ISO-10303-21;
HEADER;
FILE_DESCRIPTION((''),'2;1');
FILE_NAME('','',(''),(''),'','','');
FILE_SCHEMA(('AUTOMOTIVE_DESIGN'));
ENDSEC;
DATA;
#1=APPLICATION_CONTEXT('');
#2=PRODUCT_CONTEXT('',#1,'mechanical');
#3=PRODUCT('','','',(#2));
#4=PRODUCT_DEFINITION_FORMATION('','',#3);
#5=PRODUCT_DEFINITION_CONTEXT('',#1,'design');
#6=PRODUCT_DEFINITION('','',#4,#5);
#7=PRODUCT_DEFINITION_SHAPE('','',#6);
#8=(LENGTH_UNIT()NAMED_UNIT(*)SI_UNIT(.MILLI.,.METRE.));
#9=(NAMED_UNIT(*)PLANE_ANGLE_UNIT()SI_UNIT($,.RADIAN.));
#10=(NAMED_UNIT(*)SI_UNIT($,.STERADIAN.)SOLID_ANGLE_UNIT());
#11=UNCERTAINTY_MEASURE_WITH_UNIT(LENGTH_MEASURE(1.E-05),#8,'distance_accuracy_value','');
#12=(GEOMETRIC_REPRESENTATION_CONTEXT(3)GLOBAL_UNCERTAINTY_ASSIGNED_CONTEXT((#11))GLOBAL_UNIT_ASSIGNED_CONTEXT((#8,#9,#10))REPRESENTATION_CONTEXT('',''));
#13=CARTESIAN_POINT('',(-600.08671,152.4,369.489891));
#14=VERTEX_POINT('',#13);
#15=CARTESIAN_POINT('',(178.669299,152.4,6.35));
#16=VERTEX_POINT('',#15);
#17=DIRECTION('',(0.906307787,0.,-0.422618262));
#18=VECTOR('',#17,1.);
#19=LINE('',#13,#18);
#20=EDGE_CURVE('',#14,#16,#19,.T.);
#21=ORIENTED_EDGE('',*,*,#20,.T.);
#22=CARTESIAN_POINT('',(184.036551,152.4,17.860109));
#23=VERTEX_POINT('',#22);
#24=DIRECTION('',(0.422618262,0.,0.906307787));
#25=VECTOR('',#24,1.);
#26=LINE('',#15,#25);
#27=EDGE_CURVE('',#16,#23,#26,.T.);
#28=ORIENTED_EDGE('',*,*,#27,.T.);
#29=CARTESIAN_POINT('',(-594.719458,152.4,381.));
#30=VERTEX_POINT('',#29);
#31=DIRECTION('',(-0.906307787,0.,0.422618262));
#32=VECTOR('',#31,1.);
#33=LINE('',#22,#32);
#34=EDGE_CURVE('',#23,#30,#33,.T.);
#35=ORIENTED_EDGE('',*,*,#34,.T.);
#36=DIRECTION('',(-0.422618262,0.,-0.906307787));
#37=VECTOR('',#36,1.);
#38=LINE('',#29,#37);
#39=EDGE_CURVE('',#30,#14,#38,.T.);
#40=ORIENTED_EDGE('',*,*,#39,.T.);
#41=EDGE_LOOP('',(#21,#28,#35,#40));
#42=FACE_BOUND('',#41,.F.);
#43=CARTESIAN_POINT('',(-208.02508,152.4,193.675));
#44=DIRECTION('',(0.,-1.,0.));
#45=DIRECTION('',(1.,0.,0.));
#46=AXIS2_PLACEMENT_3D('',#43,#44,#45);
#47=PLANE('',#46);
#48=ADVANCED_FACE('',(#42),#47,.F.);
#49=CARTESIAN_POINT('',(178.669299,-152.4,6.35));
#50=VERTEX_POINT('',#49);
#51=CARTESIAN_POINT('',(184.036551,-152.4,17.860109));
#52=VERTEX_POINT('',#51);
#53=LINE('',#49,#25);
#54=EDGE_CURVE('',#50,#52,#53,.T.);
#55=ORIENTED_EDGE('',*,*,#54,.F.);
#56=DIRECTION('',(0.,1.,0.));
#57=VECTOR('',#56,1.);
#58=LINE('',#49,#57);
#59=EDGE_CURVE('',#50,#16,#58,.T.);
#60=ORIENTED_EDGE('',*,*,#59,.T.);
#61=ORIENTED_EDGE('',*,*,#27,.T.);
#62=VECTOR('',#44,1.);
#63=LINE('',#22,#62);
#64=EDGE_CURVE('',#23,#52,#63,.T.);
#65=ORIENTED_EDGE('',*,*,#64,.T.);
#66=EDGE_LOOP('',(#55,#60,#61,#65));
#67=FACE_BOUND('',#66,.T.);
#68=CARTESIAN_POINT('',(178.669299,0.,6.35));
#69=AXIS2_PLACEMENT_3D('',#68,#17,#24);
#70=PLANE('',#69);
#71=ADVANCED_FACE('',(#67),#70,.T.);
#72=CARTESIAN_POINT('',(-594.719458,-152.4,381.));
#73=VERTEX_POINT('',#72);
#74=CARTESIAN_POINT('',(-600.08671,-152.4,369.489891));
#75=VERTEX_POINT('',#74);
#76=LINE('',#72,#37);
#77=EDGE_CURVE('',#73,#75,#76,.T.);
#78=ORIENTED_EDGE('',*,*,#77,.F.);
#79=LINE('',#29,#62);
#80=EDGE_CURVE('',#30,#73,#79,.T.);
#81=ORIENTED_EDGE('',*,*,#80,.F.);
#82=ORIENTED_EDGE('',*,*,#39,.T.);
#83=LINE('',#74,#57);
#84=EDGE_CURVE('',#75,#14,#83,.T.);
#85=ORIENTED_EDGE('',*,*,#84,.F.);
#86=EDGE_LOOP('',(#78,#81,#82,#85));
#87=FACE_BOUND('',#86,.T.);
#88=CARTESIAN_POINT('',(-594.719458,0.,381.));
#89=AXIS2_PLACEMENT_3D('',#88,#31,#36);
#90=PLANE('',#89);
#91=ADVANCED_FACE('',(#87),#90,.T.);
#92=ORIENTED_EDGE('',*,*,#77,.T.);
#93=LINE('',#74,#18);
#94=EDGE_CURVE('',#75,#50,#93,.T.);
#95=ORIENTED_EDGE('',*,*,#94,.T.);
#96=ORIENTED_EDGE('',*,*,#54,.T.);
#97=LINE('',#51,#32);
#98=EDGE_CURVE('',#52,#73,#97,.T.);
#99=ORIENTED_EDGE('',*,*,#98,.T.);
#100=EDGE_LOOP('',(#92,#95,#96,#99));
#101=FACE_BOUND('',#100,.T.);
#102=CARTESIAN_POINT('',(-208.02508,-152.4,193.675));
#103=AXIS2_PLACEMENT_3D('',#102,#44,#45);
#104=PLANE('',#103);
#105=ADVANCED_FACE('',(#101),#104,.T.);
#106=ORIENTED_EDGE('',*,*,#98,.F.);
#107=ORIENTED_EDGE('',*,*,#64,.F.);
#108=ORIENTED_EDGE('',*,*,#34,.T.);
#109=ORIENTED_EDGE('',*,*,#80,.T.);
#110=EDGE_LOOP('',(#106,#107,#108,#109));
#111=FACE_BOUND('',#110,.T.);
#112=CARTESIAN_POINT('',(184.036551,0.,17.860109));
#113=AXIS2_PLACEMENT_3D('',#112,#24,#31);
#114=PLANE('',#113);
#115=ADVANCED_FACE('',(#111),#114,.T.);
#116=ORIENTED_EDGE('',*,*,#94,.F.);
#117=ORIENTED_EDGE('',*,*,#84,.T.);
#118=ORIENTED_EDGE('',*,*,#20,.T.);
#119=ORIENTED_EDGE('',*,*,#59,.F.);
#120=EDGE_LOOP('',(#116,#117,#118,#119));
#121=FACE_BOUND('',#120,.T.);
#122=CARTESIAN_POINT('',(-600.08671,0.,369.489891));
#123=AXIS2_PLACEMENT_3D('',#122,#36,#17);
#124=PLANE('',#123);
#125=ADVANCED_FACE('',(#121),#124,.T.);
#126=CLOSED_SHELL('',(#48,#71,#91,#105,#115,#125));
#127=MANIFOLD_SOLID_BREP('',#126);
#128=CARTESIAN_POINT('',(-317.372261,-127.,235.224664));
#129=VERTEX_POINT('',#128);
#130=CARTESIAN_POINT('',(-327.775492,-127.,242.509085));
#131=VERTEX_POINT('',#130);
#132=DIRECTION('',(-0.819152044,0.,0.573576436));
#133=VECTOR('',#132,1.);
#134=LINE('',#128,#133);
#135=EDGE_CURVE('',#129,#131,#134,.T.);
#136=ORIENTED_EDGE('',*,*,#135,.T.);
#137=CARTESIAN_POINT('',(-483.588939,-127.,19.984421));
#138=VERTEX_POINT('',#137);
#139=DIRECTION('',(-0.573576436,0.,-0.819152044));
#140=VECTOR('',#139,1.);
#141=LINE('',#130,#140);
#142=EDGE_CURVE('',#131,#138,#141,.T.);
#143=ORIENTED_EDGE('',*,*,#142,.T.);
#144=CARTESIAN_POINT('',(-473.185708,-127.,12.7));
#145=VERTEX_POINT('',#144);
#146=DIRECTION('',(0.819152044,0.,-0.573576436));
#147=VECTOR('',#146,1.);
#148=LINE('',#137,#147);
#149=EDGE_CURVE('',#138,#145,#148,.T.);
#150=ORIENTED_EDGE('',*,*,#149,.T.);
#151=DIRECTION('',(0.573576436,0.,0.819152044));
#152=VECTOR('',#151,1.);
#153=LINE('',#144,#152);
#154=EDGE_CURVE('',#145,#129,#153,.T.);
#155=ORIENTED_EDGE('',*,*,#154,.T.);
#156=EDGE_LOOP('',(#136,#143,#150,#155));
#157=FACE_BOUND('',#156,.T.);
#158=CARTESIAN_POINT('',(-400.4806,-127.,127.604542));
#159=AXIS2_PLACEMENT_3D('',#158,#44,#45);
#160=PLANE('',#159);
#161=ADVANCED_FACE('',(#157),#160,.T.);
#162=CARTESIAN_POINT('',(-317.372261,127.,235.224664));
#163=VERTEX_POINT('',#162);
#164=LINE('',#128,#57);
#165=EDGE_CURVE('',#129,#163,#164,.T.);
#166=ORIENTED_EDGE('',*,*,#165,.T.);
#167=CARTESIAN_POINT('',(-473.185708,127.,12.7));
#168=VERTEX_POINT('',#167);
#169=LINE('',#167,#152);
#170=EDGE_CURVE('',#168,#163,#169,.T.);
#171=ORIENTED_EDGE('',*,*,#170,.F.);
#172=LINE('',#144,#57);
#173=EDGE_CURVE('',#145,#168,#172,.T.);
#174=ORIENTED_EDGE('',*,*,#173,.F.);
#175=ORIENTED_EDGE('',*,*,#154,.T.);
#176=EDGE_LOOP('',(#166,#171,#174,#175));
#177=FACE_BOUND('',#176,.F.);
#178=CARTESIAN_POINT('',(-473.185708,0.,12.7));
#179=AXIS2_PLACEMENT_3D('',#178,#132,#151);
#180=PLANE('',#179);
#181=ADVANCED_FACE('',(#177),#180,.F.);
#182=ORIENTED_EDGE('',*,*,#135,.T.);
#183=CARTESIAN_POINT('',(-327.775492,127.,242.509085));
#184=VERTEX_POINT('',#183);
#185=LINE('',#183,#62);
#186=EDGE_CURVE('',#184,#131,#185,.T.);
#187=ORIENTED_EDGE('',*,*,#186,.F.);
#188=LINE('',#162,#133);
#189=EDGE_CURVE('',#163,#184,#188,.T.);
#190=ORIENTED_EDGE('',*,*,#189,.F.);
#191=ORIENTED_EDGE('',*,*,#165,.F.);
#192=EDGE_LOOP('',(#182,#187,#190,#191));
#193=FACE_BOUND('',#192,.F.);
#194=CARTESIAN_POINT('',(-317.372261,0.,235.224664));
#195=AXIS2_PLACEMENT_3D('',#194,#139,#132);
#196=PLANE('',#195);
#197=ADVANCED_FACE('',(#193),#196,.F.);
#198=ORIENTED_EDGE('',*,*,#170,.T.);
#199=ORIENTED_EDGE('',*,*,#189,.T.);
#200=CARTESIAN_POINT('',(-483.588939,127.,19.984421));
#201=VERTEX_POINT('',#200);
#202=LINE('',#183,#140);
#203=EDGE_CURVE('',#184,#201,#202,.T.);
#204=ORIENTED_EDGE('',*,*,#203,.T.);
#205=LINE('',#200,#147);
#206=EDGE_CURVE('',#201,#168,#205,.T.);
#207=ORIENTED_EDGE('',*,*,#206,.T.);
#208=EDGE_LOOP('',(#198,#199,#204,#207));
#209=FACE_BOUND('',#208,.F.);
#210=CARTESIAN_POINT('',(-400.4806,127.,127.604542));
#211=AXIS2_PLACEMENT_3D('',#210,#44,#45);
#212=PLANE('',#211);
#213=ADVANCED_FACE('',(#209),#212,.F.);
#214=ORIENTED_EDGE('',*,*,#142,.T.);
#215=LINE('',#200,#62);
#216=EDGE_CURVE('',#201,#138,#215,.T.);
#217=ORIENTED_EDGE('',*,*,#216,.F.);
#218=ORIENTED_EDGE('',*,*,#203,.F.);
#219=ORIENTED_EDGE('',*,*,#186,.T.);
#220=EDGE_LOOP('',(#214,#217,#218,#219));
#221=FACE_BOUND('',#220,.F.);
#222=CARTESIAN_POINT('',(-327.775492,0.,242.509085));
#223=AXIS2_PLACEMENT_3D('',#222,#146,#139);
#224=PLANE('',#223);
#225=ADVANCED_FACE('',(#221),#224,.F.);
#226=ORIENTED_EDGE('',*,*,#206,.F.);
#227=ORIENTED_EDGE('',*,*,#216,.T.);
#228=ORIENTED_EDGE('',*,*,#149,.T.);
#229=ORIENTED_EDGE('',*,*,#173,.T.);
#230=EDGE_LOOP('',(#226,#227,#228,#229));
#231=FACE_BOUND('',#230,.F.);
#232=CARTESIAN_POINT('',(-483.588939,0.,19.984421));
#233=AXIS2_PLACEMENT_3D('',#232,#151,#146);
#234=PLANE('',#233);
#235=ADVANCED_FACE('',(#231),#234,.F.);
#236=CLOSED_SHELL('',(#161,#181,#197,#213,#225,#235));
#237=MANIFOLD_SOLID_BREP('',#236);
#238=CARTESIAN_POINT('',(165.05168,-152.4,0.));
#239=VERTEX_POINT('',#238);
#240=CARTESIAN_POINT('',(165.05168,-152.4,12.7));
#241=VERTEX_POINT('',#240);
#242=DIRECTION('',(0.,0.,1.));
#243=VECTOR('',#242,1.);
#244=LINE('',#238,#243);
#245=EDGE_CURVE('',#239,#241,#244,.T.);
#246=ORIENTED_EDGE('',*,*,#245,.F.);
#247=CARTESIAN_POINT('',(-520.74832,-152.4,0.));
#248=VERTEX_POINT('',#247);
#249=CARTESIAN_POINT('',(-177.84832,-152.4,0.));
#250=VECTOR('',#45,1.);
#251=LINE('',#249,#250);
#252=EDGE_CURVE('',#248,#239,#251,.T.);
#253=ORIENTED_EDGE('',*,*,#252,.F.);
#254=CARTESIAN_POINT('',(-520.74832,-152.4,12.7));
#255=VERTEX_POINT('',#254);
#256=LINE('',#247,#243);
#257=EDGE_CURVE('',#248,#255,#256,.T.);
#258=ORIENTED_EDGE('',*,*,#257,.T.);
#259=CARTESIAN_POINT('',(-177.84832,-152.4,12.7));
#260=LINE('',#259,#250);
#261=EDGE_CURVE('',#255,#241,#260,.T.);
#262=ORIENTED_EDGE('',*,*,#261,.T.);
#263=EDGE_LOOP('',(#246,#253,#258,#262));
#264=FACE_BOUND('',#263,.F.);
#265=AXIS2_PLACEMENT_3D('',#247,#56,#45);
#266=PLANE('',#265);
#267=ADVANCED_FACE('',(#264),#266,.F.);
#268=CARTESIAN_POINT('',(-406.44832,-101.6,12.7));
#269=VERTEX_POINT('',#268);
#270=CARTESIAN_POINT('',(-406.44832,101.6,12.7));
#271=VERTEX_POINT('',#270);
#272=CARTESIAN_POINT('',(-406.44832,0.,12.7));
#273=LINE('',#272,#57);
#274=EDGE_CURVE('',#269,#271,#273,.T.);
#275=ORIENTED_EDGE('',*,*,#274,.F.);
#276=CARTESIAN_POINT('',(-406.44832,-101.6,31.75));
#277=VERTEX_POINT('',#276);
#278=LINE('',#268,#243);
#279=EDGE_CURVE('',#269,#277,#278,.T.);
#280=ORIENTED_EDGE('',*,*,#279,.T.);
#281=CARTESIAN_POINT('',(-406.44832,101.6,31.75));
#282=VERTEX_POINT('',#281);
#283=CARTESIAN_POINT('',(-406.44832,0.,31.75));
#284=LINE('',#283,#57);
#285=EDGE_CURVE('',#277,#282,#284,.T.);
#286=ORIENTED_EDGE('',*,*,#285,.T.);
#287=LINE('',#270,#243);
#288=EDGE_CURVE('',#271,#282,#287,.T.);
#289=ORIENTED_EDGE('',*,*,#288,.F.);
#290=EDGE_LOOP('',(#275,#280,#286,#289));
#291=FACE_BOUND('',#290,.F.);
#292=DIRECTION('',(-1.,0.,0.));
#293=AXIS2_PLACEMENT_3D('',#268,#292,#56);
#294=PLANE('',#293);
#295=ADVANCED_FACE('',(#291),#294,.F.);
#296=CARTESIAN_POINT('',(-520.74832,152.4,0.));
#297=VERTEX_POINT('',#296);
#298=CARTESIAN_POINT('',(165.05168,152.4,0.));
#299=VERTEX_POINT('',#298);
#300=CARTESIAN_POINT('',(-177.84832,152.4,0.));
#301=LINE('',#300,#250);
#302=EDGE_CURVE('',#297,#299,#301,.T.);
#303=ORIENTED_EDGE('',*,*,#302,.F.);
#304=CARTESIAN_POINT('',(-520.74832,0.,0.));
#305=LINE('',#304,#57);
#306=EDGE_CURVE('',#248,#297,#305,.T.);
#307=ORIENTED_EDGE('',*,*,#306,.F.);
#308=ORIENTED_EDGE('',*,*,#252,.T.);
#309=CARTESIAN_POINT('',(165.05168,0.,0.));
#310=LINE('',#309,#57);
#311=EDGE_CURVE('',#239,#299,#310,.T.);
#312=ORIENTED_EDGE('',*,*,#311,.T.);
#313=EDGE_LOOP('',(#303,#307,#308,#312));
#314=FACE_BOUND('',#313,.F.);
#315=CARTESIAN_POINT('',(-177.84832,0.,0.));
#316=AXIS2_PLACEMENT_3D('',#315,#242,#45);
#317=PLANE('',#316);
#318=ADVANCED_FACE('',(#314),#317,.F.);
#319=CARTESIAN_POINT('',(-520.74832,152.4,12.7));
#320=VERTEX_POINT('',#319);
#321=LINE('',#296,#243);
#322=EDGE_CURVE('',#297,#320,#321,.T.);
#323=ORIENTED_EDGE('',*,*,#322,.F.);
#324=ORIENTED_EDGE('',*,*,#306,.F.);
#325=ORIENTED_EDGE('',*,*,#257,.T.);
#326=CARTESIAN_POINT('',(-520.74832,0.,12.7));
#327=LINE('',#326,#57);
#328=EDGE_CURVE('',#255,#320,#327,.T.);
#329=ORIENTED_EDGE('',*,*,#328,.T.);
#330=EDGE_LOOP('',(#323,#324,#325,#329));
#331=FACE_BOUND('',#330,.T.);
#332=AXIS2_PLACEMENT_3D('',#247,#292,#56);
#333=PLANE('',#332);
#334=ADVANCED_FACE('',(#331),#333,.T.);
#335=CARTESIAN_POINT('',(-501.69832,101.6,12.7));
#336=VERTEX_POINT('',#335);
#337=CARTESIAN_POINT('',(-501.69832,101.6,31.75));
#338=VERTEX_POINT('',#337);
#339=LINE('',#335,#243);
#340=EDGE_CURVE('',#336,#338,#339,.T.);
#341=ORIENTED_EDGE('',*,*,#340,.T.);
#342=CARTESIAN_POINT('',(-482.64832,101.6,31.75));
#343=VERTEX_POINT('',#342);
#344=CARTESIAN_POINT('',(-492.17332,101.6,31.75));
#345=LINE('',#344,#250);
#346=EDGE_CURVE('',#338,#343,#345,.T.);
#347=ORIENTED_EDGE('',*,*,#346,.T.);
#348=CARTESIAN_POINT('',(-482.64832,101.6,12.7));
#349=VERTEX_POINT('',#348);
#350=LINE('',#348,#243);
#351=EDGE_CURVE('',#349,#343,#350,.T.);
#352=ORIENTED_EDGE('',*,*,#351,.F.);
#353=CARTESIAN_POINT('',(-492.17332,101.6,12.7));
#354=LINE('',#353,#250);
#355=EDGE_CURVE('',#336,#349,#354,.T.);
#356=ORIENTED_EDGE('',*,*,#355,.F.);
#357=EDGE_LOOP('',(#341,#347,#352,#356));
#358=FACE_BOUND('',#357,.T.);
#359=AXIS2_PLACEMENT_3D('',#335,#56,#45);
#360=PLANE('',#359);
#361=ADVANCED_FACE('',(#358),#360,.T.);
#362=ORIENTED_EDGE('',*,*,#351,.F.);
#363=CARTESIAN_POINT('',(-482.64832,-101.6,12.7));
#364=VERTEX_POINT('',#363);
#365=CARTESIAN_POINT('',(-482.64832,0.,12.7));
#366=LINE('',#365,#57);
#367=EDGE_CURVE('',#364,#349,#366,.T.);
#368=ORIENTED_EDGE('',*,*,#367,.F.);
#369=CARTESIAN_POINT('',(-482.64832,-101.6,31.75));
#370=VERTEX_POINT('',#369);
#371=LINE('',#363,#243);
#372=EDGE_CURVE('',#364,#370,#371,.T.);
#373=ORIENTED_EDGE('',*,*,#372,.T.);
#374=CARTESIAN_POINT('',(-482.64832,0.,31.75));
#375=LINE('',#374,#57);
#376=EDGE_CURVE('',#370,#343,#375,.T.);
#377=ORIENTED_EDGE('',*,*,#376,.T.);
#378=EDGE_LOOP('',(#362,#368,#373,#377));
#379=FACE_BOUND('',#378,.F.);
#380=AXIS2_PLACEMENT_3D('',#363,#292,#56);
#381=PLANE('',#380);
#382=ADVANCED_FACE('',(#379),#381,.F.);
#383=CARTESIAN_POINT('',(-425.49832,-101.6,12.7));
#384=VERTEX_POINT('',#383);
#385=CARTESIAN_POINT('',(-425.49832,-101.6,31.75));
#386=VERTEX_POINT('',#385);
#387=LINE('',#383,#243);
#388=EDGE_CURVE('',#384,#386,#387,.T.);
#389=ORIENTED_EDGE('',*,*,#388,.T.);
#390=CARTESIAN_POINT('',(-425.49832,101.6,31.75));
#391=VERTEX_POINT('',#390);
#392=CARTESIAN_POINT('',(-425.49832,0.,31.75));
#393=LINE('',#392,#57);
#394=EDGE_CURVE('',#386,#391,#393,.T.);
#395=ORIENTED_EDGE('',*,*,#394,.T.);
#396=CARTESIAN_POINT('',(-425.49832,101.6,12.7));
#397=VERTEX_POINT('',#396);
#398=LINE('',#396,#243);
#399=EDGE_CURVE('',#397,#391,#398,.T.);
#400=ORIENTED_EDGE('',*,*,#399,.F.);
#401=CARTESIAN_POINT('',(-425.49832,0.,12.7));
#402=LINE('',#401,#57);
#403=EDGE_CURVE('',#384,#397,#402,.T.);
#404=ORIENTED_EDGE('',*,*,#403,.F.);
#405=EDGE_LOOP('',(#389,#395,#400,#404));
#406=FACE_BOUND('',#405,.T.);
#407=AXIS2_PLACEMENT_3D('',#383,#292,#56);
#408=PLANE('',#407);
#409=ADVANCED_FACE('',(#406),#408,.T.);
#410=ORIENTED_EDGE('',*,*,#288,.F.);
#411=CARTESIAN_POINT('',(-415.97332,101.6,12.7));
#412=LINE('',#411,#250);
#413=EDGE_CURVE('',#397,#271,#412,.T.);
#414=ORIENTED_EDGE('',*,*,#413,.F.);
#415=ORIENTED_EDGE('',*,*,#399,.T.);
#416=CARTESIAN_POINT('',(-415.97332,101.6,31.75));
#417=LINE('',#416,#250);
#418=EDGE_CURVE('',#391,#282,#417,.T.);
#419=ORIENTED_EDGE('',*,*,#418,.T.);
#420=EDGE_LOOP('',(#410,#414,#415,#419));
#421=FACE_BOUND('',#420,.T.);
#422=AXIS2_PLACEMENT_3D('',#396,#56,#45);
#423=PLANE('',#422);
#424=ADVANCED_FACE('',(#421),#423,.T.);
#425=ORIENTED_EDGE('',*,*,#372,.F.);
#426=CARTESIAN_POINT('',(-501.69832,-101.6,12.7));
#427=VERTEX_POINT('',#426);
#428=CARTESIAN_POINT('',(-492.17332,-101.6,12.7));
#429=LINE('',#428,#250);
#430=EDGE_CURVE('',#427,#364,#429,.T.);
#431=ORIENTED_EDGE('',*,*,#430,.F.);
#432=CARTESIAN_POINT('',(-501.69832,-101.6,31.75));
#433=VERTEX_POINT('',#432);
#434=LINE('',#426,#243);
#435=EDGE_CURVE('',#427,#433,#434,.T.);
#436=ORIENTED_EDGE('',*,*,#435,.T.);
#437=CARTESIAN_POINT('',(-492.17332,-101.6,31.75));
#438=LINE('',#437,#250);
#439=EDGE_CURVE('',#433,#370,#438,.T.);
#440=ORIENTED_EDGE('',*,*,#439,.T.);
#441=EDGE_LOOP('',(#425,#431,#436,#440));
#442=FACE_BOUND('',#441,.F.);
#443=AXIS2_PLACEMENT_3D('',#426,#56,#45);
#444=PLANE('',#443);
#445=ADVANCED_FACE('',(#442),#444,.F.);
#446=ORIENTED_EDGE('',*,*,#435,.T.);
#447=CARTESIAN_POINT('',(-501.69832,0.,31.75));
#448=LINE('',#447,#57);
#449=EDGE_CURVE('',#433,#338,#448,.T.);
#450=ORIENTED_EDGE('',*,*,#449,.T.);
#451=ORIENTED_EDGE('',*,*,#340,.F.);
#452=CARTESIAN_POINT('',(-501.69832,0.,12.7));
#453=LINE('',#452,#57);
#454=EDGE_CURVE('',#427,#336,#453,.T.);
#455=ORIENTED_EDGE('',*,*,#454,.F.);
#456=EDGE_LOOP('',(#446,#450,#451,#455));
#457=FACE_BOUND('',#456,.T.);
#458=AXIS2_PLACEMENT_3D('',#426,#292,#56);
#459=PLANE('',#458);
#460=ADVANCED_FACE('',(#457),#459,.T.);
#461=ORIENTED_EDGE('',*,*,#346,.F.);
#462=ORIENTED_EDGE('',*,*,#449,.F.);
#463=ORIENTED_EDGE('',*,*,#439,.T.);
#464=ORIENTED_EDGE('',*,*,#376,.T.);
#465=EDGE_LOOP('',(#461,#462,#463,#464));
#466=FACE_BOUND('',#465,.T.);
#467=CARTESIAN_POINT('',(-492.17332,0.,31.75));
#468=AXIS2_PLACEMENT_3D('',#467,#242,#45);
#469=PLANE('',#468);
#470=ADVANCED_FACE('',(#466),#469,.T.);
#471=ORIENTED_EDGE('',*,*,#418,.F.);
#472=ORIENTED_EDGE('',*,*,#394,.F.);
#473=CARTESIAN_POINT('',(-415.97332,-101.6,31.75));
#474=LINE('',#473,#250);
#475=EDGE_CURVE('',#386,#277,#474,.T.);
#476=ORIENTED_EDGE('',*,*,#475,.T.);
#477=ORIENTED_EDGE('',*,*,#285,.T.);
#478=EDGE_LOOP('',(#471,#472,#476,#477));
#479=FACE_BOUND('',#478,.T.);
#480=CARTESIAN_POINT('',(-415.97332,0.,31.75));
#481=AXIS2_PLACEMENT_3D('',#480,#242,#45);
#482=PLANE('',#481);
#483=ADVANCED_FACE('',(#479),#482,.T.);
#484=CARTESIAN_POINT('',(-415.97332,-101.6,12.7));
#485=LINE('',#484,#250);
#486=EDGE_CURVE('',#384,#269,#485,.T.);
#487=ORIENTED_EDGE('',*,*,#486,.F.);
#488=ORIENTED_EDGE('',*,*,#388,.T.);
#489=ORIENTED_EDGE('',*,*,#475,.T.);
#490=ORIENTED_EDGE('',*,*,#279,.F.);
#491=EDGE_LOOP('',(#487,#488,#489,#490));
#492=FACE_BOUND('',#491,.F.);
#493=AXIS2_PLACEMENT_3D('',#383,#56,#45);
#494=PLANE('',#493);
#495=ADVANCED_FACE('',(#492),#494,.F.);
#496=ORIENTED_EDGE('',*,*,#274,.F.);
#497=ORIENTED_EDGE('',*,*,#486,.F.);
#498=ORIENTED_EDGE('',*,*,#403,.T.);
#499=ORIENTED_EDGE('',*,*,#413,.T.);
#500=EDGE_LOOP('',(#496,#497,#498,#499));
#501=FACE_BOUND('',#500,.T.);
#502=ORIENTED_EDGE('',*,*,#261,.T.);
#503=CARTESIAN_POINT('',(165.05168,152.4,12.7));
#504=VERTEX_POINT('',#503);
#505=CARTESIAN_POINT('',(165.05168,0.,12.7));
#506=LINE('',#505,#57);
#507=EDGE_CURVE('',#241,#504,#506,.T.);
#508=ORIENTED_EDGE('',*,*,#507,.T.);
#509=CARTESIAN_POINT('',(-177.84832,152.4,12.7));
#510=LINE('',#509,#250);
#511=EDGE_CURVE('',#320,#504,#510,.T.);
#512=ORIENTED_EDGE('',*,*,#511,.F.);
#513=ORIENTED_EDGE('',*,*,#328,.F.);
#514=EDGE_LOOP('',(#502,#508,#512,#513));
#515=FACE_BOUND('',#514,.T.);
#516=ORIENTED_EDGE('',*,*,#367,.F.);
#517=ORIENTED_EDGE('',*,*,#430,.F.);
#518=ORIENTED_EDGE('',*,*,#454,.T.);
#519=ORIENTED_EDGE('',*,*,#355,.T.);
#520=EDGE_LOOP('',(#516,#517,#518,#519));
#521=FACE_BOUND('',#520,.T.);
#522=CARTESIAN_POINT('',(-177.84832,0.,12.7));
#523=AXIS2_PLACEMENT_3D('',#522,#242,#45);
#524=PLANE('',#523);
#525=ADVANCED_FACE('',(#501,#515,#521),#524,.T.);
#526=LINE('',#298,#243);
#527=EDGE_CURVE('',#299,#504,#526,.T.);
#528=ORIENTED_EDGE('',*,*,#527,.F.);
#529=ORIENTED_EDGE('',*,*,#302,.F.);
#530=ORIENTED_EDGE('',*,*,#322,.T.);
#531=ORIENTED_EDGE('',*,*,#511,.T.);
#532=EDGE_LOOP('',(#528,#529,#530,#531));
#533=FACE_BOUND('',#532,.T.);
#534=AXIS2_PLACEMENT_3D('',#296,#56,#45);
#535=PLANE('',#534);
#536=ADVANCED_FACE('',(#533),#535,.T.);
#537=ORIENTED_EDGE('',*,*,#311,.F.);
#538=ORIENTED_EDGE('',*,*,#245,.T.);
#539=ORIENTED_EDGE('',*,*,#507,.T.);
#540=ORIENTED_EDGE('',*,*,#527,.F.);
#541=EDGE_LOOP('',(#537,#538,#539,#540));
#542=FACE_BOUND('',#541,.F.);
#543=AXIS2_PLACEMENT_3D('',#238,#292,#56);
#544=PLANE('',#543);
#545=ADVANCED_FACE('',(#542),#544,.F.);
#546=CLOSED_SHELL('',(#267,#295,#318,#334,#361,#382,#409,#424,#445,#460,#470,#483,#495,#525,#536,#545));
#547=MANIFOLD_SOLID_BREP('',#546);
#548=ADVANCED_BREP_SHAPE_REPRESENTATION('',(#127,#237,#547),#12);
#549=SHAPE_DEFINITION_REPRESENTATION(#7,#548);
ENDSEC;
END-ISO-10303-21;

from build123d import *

# Parameters (mm, degrees)
F0_W          = 685.8
F0_H          = 304.8
F1_DEPTH      = 12.7
F3_DEPTH      = 152.4
F3_DEPTH_BACK = 152.4
F4_W          = 19.05
F4_H          = 203.2
F5_DEPTH      = 19.05
F7_DEPTH      = 127
F7_DEPTH_BACK = 127


with BuildPart() as f1:
    # F0 (on Top) → F1 (new body)
    with BuildSketch(Plane.XY):
        with Locations((-177.8483196557, 0)):
            Rectangle(F0_W, F0_H)
    extrude(amount=F1_DEPTH)

    # F4 (on face) → F5 (join)
    with BuildSketch(Plane.XY.offset(12.7)):
        with Locations((-492.1733196557, 0)):
            Rectangle(F4_W, F4_H)
        with Locations((-415.9733196557, 0)):
            Rectangle(F4_W, F4_H)
    extrude(amount=F5_DEPTH)


with BuildPart() as f3:
    # F2 (on Front) → F3 (new body, two sides)
    with BuildSketch(Plane.XZ) as f3_sk:
        Polygon((178.6692992896, 6.35), (184.0365512137, 17.8601088954), (-594.7194583733, 381), (-600.0867102974, 369.4898911046), align=None)
    extrude(amount=F3_DEPTH)
    extrude(f3_sk.sketch, amount=-F3_DEPTH_BACK)


with BuildPart() as f7:
    # F6 (on Front) → F7 (new body, two sides)
    with BuildSketch(Plane.XZ) as f7_sk:
        Polygon((-317.372261144, 235.224663919), (-327.7754921065, 242.5090846607), (-483.5889392202, 19.9844207417), (-473.1857082577, 12.7), align=None)
    extrude(amount=-F7_DEPTH)
    extrude(f7_sk.sketch, amount=F7_DEPTH_BACK)


solid = Compound([f1.part, f3.part, f7.part])
